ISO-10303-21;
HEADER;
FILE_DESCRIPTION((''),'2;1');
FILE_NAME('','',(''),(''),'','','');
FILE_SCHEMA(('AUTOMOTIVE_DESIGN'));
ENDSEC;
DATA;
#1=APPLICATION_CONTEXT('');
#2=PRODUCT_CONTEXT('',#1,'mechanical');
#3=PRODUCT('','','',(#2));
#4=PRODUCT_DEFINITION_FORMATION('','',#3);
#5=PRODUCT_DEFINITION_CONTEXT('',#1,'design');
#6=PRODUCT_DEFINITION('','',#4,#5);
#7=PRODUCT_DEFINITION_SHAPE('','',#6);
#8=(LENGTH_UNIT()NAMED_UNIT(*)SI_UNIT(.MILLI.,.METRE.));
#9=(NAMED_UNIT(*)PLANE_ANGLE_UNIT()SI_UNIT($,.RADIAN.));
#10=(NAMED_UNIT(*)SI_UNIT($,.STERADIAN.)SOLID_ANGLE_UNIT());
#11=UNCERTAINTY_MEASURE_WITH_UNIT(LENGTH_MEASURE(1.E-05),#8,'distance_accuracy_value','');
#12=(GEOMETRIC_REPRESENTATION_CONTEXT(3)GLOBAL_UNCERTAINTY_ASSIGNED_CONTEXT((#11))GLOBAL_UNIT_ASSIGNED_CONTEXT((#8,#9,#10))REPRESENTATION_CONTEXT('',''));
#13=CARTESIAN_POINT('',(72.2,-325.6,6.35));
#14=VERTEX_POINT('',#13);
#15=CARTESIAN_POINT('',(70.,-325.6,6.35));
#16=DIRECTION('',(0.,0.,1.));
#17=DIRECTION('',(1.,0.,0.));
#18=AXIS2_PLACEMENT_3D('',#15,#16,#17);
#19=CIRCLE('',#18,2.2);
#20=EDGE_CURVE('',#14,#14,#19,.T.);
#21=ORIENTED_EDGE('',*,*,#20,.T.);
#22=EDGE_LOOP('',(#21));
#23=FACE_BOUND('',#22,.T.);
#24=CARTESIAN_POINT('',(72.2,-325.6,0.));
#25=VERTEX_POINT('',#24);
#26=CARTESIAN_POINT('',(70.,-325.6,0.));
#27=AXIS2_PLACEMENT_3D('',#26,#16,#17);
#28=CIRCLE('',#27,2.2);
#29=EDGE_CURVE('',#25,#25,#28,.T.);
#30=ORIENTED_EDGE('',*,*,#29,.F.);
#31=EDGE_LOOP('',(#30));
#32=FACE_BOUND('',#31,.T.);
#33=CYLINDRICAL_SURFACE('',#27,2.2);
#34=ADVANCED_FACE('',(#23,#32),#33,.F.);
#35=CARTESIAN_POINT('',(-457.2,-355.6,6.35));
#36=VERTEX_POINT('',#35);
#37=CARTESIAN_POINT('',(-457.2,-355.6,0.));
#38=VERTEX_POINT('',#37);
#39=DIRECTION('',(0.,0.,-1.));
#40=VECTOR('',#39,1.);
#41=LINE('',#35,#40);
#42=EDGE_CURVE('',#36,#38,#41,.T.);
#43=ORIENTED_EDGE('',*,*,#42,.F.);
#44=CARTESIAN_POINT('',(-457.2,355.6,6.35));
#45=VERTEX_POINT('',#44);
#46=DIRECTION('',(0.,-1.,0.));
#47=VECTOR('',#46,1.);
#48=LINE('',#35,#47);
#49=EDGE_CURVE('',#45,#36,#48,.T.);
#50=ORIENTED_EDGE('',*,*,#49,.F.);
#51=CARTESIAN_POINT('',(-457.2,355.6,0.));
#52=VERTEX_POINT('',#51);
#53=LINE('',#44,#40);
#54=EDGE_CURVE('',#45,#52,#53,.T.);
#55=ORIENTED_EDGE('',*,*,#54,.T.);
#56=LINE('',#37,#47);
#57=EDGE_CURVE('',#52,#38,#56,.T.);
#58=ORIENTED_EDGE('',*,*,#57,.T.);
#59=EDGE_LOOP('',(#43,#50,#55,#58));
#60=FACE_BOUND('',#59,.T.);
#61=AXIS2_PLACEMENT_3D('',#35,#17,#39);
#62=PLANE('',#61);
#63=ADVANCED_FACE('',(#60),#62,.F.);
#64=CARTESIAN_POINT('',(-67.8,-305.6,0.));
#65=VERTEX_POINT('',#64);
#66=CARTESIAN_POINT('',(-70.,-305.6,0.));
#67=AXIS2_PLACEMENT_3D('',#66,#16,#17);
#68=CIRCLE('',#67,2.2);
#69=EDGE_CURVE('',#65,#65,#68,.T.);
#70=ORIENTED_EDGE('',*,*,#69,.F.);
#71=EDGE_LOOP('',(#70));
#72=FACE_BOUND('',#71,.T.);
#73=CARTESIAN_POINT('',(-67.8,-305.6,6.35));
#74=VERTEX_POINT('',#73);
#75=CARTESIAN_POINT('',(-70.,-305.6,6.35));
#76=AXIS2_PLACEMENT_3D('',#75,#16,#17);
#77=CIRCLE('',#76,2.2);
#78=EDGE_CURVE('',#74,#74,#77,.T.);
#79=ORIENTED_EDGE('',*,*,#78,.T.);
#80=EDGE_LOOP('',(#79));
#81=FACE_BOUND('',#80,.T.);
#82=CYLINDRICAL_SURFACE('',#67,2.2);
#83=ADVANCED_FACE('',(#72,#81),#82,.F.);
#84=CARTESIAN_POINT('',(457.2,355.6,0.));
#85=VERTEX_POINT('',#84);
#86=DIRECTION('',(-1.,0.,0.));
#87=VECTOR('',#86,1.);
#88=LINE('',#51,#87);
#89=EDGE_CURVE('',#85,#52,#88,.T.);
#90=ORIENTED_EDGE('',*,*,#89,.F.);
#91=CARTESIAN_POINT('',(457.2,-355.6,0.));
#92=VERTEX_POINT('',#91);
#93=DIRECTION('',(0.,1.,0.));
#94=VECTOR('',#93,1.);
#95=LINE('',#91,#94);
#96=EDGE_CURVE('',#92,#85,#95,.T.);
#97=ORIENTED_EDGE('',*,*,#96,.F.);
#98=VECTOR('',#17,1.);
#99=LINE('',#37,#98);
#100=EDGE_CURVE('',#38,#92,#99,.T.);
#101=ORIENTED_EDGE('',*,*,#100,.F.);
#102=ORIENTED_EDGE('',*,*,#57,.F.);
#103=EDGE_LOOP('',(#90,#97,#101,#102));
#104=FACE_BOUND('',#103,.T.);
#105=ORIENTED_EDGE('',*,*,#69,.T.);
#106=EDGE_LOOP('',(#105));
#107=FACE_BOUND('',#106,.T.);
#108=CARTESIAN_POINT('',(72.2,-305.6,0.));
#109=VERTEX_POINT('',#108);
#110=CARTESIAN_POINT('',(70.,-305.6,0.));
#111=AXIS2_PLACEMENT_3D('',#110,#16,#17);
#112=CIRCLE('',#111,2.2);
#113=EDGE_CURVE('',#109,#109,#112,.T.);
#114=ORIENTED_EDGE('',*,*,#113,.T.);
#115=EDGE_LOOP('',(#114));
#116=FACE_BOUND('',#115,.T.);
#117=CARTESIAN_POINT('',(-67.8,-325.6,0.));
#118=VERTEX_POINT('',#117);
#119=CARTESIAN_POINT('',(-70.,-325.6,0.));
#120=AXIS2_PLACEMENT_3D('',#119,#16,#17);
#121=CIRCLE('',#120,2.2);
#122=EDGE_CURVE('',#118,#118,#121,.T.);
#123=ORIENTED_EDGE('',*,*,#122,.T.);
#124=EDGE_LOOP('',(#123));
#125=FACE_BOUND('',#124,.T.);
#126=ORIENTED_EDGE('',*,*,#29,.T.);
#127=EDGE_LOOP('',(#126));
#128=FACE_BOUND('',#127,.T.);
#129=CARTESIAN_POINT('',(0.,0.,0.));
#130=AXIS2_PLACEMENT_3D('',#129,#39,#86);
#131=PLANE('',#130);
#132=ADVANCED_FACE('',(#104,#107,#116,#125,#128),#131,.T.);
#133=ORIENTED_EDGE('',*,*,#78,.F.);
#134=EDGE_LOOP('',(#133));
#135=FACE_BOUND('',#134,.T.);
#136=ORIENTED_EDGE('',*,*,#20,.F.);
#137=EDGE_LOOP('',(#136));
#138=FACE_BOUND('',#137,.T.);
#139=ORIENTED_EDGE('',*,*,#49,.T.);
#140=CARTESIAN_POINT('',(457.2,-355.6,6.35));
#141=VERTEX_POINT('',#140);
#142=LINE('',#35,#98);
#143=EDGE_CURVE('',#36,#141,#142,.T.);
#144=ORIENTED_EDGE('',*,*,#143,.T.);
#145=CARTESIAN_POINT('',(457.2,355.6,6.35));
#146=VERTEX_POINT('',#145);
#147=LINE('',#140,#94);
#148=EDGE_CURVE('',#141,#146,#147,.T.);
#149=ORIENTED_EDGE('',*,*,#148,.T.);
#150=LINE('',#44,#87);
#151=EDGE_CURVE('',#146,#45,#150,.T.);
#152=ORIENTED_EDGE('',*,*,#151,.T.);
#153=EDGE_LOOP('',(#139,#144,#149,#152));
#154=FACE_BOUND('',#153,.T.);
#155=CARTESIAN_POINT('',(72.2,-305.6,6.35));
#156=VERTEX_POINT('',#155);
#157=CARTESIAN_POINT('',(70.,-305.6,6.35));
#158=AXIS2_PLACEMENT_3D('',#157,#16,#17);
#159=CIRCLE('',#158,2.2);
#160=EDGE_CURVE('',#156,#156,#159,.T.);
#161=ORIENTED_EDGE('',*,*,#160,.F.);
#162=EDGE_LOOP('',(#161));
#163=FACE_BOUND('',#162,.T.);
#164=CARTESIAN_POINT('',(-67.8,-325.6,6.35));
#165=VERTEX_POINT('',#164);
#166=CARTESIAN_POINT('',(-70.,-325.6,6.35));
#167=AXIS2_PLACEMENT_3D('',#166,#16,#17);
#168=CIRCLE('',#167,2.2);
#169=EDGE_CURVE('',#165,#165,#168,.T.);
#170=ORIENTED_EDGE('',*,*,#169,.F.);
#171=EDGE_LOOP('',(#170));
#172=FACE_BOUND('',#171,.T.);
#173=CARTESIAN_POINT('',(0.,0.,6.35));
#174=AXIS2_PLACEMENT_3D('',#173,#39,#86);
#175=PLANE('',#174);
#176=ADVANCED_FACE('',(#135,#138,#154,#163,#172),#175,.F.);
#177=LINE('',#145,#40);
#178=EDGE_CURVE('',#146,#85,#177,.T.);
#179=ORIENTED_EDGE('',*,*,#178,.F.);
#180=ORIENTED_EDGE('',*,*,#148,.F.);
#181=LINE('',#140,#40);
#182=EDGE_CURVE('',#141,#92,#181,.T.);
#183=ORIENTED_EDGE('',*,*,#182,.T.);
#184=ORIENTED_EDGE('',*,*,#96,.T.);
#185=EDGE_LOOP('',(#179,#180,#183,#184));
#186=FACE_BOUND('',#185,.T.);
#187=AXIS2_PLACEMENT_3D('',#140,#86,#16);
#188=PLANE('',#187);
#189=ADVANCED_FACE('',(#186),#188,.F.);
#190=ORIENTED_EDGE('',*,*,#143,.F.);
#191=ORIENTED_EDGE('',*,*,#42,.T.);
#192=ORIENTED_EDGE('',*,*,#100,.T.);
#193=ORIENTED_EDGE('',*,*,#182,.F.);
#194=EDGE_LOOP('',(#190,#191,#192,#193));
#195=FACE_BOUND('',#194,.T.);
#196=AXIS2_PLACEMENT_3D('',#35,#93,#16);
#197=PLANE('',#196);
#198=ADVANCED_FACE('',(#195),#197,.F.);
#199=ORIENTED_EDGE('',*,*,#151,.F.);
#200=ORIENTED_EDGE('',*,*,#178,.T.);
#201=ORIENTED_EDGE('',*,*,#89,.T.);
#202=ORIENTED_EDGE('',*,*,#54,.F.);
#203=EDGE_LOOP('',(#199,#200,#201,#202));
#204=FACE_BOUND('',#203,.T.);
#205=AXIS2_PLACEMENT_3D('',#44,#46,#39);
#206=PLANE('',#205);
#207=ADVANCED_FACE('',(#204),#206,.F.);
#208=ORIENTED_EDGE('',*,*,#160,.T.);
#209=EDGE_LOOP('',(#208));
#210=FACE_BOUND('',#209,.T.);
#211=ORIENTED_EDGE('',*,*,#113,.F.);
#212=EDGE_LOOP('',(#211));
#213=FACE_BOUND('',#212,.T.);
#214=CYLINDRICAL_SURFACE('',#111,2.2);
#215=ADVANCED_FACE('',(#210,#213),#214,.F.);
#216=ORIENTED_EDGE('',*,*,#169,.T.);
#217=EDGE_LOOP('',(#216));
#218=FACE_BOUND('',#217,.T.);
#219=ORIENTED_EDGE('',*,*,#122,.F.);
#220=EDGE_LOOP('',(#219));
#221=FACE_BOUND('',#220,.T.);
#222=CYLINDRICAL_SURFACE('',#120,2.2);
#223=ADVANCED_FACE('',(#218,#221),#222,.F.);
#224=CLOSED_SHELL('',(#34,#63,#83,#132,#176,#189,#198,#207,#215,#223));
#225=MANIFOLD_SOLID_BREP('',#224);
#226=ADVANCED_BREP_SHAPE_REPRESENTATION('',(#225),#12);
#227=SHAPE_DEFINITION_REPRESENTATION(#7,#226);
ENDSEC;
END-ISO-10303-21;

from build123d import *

# Parameters (mm, degrees)
SKETCH1_W           = 914.4
SKETCH1_H           = 711.2
BOSS_EXTRUDE1_DEPTH = 6.35
SKETCH2_R           = 2.2
CUT_EXTRUDE2_DEPTH  = 580.243923145


with BuildPart() as part:
    # Sketch1 → Boss-Extrude1 (new body)
    with BuildSketch(Plane.XY):
        Rectangle(SKETCH1_W, SKETCH1_H)
    extrude(amount=BOSS_EXTRUDE1_DEPTH)

    # Sketch2 → Cut-Extrude2 (cut, through all)
    with BuildSketch(Plane.XY.offset(6.35)):
        with Locations((70, -305.6)):
            Circle(SKETCH2_R)
        with Locations((70, -325.6)):
            Circle(SKETCH2_R)
        with Locations((-70, -305.6)):
            Circle(SKETCH2_R)
        with Locations((-70, -325.6)):
            Circle(SKETCH2_R)
    extrude(amount=-CUT_EXTRUDE2_DEPTH, mode=Mode.SUBTRACT)


solid = part.part
